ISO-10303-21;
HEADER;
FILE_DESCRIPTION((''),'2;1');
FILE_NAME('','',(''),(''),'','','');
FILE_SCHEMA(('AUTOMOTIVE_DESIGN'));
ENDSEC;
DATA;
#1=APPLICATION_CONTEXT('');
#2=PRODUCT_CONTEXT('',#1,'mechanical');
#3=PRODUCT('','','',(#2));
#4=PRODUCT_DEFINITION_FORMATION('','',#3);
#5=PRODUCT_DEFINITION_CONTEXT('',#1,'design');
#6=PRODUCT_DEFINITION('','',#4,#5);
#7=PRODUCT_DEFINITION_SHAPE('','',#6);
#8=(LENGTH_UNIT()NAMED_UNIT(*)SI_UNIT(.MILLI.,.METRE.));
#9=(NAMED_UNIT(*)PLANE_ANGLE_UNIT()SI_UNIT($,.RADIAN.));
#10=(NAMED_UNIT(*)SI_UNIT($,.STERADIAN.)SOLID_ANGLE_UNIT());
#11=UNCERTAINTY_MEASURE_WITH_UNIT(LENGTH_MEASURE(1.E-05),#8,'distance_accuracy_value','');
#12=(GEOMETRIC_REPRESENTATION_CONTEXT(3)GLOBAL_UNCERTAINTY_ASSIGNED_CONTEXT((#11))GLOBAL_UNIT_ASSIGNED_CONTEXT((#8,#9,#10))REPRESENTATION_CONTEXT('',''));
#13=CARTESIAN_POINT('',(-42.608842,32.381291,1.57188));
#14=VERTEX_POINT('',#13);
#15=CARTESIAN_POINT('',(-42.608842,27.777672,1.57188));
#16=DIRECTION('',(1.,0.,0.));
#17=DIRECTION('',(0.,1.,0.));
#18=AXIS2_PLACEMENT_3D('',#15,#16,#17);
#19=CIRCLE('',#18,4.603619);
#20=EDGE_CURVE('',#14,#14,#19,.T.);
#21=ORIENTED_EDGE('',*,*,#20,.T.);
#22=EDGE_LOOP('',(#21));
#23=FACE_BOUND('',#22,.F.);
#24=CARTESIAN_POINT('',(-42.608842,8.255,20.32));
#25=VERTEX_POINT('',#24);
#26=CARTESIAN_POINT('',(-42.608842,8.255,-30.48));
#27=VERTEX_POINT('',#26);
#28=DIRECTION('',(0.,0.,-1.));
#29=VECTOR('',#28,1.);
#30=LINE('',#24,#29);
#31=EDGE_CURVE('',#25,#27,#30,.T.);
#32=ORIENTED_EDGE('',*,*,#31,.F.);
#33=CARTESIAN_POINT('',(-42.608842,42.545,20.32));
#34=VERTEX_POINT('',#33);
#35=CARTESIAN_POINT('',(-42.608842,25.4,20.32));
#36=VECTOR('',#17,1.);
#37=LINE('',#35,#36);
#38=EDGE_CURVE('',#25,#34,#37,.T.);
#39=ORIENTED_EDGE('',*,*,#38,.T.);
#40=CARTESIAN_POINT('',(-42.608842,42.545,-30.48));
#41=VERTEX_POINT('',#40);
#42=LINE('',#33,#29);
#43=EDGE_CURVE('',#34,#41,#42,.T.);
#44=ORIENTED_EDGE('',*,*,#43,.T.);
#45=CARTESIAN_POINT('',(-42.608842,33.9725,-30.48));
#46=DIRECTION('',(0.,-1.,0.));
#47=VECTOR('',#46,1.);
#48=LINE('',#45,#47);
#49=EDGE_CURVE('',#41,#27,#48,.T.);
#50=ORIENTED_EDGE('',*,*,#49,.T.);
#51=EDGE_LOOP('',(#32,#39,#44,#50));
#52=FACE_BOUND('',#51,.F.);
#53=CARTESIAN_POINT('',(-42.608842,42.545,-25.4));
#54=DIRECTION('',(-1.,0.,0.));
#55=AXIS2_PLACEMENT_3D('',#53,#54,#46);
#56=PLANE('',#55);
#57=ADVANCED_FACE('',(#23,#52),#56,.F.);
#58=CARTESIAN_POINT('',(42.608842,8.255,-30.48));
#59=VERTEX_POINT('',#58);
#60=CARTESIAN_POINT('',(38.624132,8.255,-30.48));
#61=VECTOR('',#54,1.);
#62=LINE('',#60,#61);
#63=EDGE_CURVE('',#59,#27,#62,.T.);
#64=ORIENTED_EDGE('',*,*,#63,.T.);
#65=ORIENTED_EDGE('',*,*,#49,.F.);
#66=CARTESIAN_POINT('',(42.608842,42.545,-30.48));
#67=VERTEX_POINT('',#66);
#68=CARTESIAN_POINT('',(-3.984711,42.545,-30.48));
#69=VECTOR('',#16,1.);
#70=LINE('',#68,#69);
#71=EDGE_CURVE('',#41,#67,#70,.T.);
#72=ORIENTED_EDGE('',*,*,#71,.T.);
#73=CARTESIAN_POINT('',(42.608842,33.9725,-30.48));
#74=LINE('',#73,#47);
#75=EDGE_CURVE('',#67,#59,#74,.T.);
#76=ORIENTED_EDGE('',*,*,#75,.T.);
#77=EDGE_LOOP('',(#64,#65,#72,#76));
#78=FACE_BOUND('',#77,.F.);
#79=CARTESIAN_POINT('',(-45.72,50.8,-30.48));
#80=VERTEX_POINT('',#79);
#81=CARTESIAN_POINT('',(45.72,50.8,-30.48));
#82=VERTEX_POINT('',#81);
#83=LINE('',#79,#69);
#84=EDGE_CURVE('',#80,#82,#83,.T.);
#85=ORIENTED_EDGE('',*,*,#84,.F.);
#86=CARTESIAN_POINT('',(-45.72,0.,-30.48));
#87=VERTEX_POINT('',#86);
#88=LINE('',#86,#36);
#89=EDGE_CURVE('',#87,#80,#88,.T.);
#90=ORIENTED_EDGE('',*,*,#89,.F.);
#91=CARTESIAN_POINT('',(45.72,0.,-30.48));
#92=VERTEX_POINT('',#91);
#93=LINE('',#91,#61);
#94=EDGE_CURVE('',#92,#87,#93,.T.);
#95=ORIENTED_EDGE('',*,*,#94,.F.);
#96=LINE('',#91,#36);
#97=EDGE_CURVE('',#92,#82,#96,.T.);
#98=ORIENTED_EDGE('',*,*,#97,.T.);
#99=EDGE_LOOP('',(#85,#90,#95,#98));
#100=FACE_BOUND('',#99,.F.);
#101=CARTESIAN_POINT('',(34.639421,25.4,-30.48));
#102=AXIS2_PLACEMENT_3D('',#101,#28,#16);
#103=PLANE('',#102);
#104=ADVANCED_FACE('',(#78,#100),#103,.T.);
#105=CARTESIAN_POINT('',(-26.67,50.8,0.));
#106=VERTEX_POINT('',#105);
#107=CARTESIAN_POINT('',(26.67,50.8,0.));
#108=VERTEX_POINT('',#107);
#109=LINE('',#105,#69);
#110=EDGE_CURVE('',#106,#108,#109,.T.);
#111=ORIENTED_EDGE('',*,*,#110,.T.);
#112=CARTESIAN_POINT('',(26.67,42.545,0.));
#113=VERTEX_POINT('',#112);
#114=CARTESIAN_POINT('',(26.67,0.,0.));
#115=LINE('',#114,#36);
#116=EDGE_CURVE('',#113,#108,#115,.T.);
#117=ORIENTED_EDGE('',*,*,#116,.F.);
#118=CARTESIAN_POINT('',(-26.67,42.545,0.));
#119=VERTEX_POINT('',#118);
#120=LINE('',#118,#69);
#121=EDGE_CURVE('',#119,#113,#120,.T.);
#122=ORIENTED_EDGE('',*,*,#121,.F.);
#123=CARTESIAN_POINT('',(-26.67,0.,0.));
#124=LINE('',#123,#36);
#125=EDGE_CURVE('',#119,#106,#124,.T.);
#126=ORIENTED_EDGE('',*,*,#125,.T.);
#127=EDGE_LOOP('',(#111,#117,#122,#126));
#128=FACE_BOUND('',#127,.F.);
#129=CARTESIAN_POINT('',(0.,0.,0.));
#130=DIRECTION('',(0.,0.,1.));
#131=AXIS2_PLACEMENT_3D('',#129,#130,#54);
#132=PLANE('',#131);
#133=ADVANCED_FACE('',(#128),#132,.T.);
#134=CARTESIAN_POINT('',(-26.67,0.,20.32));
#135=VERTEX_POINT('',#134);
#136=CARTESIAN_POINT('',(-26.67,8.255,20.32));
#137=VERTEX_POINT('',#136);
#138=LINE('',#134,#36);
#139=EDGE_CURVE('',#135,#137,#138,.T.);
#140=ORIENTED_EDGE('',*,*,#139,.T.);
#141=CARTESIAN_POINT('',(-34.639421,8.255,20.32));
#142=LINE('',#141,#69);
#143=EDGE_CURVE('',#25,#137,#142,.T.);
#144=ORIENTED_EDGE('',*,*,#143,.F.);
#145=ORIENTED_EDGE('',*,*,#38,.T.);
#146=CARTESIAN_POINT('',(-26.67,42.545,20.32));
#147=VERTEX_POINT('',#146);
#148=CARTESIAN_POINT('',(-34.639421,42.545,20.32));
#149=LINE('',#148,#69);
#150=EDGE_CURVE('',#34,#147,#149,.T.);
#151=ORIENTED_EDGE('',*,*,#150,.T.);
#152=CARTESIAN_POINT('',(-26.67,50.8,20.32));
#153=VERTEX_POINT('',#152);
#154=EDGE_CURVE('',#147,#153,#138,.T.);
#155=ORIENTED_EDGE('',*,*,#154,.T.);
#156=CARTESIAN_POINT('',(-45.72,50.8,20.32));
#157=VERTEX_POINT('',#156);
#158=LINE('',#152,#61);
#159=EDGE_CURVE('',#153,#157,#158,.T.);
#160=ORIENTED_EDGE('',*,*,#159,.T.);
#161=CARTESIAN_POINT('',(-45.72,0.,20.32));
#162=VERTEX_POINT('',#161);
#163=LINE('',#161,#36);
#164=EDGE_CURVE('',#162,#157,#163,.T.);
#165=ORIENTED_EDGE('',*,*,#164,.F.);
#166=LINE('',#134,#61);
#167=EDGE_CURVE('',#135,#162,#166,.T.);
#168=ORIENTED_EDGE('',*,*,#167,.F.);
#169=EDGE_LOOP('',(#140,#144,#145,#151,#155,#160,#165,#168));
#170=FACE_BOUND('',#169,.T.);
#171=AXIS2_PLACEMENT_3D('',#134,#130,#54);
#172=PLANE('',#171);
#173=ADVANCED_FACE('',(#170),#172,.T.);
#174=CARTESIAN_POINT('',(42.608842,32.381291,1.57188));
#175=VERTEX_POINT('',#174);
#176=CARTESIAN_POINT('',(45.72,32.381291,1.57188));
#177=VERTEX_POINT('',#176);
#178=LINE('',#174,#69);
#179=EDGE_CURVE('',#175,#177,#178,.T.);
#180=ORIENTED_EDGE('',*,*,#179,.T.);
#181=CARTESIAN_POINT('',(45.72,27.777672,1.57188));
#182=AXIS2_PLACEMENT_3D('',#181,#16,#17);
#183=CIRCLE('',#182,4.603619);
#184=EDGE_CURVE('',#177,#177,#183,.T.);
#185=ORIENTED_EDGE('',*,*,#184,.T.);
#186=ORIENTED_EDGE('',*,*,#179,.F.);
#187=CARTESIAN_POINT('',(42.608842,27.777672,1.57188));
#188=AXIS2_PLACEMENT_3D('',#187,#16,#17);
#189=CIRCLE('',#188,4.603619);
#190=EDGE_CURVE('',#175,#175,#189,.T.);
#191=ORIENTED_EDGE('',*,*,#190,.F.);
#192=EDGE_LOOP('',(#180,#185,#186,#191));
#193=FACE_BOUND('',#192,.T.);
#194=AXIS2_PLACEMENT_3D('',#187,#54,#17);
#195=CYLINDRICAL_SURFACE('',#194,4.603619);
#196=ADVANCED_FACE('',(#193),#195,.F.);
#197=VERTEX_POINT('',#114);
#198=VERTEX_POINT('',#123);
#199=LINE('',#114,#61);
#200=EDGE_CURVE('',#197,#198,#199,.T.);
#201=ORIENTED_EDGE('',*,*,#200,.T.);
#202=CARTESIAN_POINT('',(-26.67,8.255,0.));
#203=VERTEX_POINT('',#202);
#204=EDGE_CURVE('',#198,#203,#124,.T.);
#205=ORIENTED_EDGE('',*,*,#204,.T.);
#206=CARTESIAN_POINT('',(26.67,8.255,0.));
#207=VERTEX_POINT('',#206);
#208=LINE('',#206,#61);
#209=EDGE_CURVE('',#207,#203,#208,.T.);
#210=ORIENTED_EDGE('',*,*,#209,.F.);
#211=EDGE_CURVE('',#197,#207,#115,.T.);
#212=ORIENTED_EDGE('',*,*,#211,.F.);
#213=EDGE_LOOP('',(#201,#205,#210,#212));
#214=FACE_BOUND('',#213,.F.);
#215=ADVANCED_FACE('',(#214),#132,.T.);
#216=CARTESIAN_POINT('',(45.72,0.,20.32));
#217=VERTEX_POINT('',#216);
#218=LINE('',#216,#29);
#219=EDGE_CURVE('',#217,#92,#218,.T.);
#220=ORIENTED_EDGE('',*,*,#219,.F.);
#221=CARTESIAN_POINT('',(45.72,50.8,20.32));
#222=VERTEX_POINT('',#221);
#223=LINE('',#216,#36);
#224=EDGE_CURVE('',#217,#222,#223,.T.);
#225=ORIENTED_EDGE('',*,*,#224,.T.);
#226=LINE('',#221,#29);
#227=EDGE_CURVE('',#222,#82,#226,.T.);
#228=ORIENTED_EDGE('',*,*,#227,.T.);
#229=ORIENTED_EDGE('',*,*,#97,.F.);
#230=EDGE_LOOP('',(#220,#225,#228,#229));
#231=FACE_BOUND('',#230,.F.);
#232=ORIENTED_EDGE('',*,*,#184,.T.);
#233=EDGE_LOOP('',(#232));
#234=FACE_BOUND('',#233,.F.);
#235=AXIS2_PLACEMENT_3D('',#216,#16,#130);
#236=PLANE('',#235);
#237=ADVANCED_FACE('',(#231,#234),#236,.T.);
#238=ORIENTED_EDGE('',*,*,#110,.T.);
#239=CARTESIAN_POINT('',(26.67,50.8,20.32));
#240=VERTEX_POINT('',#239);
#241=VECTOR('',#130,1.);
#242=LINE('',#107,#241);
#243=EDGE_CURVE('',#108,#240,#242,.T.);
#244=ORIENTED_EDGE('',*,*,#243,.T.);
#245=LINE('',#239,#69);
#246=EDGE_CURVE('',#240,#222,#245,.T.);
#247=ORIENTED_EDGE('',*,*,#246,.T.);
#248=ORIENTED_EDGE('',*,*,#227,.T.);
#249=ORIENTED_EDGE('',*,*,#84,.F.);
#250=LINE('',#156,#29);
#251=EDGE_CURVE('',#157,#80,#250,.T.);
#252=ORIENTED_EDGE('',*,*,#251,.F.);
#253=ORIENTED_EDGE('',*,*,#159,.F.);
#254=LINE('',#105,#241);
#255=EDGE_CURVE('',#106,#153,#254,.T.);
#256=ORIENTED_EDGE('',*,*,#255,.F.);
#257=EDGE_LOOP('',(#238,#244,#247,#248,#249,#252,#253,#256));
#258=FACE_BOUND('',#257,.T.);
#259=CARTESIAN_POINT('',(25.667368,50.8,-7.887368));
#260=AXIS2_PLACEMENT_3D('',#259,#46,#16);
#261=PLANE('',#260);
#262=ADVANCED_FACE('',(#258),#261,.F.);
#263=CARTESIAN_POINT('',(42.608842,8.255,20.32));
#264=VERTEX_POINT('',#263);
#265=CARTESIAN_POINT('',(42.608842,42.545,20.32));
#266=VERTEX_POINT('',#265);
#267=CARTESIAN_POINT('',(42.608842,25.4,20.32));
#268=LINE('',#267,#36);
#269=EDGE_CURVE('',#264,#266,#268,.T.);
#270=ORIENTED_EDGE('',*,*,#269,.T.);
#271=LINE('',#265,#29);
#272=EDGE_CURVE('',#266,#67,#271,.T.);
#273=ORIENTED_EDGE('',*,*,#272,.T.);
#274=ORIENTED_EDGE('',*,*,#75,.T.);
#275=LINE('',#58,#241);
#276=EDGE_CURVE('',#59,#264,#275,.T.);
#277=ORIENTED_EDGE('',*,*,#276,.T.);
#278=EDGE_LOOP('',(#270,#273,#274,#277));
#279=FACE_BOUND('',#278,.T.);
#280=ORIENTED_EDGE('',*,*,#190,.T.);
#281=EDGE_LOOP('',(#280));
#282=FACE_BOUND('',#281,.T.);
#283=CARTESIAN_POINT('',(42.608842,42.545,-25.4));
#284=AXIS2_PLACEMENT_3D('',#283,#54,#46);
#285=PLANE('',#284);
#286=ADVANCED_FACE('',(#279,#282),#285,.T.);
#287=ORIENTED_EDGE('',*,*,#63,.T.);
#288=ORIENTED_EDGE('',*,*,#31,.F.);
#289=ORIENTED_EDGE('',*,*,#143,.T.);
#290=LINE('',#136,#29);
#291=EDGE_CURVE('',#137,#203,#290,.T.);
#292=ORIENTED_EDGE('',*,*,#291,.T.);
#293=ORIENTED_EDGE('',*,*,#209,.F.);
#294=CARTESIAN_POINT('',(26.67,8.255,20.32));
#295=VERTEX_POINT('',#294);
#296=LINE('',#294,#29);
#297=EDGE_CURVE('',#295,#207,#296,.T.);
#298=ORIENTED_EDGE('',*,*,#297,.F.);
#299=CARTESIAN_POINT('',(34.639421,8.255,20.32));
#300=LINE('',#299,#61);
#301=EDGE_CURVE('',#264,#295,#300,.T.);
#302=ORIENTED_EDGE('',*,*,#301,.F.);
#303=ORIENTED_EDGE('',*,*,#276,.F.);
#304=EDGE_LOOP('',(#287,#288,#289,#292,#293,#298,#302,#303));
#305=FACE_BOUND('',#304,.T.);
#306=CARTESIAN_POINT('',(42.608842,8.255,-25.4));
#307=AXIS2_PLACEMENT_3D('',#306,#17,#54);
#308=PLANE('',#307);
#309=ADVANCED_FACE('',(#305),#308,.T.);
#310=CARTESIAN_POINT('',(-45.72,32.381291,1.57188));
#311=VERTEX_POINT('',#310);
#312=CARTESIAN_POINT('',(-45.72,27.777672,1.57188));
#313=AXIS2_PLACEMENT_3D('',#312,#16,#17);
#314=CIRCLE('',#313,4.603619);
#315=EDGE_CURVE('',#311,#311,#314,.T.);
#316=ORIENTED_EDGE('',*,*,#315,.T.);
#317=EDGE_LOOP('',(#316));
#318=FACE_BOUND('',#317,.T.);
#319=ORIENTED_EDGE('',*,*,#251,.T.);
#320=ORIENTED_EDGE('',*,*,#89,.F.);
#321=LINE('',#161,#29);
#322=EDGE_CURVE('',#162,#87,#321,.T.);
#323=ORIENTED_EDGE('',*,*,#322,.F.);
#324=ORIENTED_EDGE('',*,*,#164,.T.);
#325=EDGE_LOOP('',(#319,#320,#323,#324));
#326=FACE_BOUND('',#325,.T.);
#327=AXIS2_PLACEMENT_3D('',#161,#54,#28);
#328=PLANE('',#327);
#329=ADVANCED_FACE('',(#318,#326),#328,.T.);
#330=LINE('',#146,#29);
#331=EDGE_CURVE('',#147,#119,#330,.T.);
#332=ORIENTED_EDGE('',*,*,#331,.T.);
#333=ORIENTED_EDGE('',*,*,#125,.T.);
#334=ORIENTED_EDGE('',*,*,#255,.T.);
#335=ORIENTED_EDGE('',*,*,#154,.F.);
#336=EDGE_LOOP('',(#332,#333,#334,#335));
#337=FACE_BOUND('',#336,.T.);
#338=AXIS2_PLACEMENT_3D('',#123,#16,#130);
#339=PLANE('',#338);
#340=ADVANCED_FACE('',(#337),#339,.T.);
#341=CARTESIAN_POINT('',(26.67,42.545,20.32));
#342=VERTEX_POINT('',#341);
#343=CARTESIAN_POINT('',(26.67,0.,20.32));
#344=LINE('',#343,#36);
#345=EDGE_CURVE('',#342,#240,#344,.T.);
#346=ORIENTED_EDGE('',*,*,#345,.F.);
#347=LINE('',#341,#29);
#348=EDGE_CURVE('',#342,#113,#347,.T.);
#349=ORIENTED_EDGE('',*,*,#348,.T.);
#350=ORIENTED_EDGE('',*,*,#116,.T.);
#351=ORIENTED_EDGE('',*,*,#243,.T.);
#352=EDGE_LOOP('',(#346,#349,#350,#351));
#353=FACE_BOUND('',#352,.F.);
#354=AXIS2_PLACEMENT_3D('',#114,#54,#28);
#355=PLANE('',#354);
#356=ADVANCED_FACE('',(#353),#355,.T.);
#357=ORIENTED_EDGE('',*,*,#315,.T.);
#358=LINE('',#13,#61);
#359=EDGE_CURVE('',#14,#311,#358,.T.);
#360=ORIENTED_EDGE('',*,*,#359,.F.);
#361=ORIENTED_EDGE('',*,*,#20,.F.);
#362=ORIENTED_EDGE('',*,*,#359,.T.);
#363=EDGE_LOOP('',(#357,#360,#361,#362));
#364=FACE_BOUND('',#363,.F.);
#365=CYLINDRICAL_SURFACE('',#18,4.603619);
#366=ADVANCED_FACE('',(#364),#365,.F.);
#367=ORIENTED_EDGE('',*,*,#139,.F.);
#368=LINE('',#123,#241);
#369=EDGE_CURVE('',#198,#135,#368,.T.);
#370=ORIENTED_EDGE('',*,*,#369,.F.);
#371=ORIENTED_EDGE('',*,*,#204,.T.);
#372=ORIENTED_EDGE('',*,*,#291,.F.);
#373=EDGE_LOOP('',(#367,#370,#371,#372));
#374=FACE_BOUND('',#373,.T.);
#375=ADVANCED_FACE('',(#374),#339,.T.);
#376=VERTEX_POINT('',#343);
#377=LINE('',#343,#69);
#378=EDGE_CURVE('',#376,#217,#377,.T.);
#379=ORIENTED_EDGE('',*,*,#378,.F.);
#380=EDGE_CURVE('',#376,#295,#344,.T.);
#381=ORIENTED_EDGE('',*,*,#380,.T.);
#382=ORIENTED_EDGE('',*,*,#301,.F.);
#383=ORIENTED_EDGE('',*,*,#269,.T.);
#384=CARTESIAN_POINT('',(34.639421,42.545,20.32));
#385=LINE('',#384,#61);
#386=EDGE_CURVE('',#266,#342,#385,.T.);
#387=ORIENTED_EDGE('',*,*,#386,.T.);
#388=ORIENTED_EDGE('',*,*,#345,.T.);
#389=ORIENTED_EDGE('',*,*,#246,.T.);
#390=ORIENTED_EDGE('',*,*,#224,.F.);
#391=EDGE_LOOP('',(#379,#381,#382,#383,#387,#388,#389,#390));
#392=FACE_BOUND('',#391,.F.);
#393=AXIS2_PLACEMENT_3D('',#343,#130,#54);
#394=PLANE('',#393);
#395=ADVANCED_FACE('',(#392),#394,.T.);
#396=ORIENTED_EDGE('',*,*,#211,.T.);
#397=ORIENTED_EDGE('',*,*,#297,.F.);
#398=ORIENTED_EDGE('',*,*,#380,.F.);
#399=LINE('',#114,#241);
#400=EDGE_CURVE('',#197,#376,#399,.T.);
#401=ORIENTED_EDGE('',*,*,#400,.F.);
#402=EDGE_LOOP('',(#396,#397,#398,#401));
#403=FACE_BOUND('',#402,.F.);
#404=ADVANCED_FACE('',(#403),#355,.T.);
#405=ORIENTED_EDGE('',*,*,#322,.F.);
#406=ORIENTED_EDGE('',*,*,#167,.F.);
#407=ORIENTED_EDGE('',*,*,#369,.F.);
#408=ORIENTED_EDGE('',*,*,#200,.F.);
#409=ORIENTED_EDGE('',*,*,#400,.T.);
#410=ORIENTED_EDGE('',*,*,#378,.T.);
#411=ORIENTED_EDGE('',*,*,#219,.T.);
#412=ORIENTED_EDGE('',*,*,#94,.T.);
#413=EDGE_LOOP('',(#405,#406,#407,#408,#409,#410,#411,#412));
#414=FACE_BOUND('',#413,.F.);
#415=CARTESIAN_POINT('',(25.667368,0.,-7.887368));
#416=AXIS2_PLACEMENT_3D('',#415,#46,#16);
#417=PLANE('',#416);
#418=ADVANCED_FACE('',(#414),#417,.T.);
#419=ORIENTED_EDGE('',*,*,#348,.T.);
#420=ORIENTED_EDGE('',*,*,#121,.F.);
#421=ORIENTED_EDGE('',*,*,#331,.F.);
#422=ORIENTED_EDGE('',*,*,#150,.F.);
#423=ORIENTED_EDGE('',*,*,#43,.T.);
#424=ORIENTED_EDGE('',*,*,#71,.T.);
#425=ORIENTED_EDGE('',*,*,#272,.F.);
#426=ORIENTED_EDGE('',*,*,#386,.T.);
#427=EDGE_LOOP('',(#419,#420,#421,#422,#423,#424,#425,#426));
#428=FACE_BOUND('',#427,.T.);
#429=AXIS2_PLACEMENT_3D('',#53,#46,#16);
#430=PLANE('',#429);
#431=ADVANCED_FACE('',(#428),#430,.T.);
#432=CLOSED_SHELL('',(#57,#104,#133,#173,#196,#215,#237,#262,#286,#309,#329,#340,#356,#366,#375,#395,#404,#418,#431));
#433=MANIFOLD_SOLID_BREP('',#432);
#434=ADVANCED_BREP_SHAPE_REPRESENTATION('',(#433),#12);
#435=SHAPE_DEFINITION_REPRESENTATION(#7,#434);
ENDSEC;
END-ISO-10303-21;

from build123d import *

# Parameters (mm, degrees)
F1_DEPTH  = 50.8
F2_W      = 15.9388422537
F2_H      = 34.29
F4_DEPTH  = 25.4
F3_W      = 26.67
F3_H      = 34.29
F5_DEPTH  = 25.4
F6_DEPTH  = 25.4
F7_W      = 15.9388422537
F7_H      = 34.29
F8_DEPTH  = 5.08
F9_R      = 4.6036191434
F10_DEPTH = 25.4
F12_DEPTH = 25.4


with BuildPart() as f1:
    # F0 (on Front) → F1 (new body)
    with BuildSketch(Plane.XZ):
        Polygon((0, -30.48), (0, 0), (-26.67, 0), (-26.67, 20.32), (-45.72, 20.32), (-45.72, -30.48), align=None)
    extrude(amount=-F1_DEPTH)

    # F2 (on face) → F4 (cut)
    with BuildSketch(Plane.XY.offset(20.32)):
        with Locations((-34.6394211268, 25.4)):
            Rectangle(F2_W, F2_H)
    extrude(amount=-F4_DEPTH, mode=Mode.SUBTRACT)

    # F3 (on face) → F5 (cut)
    with BuildSketch(Plane.XY):
        with Locations((-13.335, 25.4)):
            Rectangle(F3_W, F3_H)
    extrude(amount=-F5_DEPTH, mode=Mode.SUBTRACT)

    # F6 (cut): a face of the model
    f6_faces = [f1.faces().sort_by_distance(p)[0] for p in [
        (-34.6394211268, 25.4, -5.08),
    ]]
    extrude(f6_faces, amount=-F6_DEPTH, mode=Mode.SUBTRACT)

    # F7 (on face) → F8 (join)
    with BuildSketch(Plane(origin=(0, 0, -30.48), x_dir=(1, 0, 0), z_dir=(0, 0, -1))):
        with Locations((-34.6394211268, -25.4)):
            Rectangle(F7_W, F7_H)
    extrude(amount=-F8_DEPTH)

    # F9 (on face) → F10 (cut)
    with BuildSketch(Plane.YZ.offset(-42.6088422537)):
        with Locations((27.777671814, 1.571879955)):
            Circle(F9_R)
    extrude(amount=-F10_DEPTH, mode=Mode.SUBTRACT)

    # F11: F1 across face


with BuildPart() as f1_1:
    add(f1.part)
    add(f1.part.mirror(Plane(origin=(0, 25.4, -18.5057142857), x_dir=(0, 1, 0), z_dir=(1, 0, 0))))

    # F12 (cut): a face of the model
    f12_faces = [f1_1.faces().sort_by_distance(p)[0] for p in [
        (0, 25.4, -25.4),
    ]]
    extrude(f12_faces, amount=-F12_DEPTH, mode=Mode.SUBTRACT)


solid = f1_1.part
